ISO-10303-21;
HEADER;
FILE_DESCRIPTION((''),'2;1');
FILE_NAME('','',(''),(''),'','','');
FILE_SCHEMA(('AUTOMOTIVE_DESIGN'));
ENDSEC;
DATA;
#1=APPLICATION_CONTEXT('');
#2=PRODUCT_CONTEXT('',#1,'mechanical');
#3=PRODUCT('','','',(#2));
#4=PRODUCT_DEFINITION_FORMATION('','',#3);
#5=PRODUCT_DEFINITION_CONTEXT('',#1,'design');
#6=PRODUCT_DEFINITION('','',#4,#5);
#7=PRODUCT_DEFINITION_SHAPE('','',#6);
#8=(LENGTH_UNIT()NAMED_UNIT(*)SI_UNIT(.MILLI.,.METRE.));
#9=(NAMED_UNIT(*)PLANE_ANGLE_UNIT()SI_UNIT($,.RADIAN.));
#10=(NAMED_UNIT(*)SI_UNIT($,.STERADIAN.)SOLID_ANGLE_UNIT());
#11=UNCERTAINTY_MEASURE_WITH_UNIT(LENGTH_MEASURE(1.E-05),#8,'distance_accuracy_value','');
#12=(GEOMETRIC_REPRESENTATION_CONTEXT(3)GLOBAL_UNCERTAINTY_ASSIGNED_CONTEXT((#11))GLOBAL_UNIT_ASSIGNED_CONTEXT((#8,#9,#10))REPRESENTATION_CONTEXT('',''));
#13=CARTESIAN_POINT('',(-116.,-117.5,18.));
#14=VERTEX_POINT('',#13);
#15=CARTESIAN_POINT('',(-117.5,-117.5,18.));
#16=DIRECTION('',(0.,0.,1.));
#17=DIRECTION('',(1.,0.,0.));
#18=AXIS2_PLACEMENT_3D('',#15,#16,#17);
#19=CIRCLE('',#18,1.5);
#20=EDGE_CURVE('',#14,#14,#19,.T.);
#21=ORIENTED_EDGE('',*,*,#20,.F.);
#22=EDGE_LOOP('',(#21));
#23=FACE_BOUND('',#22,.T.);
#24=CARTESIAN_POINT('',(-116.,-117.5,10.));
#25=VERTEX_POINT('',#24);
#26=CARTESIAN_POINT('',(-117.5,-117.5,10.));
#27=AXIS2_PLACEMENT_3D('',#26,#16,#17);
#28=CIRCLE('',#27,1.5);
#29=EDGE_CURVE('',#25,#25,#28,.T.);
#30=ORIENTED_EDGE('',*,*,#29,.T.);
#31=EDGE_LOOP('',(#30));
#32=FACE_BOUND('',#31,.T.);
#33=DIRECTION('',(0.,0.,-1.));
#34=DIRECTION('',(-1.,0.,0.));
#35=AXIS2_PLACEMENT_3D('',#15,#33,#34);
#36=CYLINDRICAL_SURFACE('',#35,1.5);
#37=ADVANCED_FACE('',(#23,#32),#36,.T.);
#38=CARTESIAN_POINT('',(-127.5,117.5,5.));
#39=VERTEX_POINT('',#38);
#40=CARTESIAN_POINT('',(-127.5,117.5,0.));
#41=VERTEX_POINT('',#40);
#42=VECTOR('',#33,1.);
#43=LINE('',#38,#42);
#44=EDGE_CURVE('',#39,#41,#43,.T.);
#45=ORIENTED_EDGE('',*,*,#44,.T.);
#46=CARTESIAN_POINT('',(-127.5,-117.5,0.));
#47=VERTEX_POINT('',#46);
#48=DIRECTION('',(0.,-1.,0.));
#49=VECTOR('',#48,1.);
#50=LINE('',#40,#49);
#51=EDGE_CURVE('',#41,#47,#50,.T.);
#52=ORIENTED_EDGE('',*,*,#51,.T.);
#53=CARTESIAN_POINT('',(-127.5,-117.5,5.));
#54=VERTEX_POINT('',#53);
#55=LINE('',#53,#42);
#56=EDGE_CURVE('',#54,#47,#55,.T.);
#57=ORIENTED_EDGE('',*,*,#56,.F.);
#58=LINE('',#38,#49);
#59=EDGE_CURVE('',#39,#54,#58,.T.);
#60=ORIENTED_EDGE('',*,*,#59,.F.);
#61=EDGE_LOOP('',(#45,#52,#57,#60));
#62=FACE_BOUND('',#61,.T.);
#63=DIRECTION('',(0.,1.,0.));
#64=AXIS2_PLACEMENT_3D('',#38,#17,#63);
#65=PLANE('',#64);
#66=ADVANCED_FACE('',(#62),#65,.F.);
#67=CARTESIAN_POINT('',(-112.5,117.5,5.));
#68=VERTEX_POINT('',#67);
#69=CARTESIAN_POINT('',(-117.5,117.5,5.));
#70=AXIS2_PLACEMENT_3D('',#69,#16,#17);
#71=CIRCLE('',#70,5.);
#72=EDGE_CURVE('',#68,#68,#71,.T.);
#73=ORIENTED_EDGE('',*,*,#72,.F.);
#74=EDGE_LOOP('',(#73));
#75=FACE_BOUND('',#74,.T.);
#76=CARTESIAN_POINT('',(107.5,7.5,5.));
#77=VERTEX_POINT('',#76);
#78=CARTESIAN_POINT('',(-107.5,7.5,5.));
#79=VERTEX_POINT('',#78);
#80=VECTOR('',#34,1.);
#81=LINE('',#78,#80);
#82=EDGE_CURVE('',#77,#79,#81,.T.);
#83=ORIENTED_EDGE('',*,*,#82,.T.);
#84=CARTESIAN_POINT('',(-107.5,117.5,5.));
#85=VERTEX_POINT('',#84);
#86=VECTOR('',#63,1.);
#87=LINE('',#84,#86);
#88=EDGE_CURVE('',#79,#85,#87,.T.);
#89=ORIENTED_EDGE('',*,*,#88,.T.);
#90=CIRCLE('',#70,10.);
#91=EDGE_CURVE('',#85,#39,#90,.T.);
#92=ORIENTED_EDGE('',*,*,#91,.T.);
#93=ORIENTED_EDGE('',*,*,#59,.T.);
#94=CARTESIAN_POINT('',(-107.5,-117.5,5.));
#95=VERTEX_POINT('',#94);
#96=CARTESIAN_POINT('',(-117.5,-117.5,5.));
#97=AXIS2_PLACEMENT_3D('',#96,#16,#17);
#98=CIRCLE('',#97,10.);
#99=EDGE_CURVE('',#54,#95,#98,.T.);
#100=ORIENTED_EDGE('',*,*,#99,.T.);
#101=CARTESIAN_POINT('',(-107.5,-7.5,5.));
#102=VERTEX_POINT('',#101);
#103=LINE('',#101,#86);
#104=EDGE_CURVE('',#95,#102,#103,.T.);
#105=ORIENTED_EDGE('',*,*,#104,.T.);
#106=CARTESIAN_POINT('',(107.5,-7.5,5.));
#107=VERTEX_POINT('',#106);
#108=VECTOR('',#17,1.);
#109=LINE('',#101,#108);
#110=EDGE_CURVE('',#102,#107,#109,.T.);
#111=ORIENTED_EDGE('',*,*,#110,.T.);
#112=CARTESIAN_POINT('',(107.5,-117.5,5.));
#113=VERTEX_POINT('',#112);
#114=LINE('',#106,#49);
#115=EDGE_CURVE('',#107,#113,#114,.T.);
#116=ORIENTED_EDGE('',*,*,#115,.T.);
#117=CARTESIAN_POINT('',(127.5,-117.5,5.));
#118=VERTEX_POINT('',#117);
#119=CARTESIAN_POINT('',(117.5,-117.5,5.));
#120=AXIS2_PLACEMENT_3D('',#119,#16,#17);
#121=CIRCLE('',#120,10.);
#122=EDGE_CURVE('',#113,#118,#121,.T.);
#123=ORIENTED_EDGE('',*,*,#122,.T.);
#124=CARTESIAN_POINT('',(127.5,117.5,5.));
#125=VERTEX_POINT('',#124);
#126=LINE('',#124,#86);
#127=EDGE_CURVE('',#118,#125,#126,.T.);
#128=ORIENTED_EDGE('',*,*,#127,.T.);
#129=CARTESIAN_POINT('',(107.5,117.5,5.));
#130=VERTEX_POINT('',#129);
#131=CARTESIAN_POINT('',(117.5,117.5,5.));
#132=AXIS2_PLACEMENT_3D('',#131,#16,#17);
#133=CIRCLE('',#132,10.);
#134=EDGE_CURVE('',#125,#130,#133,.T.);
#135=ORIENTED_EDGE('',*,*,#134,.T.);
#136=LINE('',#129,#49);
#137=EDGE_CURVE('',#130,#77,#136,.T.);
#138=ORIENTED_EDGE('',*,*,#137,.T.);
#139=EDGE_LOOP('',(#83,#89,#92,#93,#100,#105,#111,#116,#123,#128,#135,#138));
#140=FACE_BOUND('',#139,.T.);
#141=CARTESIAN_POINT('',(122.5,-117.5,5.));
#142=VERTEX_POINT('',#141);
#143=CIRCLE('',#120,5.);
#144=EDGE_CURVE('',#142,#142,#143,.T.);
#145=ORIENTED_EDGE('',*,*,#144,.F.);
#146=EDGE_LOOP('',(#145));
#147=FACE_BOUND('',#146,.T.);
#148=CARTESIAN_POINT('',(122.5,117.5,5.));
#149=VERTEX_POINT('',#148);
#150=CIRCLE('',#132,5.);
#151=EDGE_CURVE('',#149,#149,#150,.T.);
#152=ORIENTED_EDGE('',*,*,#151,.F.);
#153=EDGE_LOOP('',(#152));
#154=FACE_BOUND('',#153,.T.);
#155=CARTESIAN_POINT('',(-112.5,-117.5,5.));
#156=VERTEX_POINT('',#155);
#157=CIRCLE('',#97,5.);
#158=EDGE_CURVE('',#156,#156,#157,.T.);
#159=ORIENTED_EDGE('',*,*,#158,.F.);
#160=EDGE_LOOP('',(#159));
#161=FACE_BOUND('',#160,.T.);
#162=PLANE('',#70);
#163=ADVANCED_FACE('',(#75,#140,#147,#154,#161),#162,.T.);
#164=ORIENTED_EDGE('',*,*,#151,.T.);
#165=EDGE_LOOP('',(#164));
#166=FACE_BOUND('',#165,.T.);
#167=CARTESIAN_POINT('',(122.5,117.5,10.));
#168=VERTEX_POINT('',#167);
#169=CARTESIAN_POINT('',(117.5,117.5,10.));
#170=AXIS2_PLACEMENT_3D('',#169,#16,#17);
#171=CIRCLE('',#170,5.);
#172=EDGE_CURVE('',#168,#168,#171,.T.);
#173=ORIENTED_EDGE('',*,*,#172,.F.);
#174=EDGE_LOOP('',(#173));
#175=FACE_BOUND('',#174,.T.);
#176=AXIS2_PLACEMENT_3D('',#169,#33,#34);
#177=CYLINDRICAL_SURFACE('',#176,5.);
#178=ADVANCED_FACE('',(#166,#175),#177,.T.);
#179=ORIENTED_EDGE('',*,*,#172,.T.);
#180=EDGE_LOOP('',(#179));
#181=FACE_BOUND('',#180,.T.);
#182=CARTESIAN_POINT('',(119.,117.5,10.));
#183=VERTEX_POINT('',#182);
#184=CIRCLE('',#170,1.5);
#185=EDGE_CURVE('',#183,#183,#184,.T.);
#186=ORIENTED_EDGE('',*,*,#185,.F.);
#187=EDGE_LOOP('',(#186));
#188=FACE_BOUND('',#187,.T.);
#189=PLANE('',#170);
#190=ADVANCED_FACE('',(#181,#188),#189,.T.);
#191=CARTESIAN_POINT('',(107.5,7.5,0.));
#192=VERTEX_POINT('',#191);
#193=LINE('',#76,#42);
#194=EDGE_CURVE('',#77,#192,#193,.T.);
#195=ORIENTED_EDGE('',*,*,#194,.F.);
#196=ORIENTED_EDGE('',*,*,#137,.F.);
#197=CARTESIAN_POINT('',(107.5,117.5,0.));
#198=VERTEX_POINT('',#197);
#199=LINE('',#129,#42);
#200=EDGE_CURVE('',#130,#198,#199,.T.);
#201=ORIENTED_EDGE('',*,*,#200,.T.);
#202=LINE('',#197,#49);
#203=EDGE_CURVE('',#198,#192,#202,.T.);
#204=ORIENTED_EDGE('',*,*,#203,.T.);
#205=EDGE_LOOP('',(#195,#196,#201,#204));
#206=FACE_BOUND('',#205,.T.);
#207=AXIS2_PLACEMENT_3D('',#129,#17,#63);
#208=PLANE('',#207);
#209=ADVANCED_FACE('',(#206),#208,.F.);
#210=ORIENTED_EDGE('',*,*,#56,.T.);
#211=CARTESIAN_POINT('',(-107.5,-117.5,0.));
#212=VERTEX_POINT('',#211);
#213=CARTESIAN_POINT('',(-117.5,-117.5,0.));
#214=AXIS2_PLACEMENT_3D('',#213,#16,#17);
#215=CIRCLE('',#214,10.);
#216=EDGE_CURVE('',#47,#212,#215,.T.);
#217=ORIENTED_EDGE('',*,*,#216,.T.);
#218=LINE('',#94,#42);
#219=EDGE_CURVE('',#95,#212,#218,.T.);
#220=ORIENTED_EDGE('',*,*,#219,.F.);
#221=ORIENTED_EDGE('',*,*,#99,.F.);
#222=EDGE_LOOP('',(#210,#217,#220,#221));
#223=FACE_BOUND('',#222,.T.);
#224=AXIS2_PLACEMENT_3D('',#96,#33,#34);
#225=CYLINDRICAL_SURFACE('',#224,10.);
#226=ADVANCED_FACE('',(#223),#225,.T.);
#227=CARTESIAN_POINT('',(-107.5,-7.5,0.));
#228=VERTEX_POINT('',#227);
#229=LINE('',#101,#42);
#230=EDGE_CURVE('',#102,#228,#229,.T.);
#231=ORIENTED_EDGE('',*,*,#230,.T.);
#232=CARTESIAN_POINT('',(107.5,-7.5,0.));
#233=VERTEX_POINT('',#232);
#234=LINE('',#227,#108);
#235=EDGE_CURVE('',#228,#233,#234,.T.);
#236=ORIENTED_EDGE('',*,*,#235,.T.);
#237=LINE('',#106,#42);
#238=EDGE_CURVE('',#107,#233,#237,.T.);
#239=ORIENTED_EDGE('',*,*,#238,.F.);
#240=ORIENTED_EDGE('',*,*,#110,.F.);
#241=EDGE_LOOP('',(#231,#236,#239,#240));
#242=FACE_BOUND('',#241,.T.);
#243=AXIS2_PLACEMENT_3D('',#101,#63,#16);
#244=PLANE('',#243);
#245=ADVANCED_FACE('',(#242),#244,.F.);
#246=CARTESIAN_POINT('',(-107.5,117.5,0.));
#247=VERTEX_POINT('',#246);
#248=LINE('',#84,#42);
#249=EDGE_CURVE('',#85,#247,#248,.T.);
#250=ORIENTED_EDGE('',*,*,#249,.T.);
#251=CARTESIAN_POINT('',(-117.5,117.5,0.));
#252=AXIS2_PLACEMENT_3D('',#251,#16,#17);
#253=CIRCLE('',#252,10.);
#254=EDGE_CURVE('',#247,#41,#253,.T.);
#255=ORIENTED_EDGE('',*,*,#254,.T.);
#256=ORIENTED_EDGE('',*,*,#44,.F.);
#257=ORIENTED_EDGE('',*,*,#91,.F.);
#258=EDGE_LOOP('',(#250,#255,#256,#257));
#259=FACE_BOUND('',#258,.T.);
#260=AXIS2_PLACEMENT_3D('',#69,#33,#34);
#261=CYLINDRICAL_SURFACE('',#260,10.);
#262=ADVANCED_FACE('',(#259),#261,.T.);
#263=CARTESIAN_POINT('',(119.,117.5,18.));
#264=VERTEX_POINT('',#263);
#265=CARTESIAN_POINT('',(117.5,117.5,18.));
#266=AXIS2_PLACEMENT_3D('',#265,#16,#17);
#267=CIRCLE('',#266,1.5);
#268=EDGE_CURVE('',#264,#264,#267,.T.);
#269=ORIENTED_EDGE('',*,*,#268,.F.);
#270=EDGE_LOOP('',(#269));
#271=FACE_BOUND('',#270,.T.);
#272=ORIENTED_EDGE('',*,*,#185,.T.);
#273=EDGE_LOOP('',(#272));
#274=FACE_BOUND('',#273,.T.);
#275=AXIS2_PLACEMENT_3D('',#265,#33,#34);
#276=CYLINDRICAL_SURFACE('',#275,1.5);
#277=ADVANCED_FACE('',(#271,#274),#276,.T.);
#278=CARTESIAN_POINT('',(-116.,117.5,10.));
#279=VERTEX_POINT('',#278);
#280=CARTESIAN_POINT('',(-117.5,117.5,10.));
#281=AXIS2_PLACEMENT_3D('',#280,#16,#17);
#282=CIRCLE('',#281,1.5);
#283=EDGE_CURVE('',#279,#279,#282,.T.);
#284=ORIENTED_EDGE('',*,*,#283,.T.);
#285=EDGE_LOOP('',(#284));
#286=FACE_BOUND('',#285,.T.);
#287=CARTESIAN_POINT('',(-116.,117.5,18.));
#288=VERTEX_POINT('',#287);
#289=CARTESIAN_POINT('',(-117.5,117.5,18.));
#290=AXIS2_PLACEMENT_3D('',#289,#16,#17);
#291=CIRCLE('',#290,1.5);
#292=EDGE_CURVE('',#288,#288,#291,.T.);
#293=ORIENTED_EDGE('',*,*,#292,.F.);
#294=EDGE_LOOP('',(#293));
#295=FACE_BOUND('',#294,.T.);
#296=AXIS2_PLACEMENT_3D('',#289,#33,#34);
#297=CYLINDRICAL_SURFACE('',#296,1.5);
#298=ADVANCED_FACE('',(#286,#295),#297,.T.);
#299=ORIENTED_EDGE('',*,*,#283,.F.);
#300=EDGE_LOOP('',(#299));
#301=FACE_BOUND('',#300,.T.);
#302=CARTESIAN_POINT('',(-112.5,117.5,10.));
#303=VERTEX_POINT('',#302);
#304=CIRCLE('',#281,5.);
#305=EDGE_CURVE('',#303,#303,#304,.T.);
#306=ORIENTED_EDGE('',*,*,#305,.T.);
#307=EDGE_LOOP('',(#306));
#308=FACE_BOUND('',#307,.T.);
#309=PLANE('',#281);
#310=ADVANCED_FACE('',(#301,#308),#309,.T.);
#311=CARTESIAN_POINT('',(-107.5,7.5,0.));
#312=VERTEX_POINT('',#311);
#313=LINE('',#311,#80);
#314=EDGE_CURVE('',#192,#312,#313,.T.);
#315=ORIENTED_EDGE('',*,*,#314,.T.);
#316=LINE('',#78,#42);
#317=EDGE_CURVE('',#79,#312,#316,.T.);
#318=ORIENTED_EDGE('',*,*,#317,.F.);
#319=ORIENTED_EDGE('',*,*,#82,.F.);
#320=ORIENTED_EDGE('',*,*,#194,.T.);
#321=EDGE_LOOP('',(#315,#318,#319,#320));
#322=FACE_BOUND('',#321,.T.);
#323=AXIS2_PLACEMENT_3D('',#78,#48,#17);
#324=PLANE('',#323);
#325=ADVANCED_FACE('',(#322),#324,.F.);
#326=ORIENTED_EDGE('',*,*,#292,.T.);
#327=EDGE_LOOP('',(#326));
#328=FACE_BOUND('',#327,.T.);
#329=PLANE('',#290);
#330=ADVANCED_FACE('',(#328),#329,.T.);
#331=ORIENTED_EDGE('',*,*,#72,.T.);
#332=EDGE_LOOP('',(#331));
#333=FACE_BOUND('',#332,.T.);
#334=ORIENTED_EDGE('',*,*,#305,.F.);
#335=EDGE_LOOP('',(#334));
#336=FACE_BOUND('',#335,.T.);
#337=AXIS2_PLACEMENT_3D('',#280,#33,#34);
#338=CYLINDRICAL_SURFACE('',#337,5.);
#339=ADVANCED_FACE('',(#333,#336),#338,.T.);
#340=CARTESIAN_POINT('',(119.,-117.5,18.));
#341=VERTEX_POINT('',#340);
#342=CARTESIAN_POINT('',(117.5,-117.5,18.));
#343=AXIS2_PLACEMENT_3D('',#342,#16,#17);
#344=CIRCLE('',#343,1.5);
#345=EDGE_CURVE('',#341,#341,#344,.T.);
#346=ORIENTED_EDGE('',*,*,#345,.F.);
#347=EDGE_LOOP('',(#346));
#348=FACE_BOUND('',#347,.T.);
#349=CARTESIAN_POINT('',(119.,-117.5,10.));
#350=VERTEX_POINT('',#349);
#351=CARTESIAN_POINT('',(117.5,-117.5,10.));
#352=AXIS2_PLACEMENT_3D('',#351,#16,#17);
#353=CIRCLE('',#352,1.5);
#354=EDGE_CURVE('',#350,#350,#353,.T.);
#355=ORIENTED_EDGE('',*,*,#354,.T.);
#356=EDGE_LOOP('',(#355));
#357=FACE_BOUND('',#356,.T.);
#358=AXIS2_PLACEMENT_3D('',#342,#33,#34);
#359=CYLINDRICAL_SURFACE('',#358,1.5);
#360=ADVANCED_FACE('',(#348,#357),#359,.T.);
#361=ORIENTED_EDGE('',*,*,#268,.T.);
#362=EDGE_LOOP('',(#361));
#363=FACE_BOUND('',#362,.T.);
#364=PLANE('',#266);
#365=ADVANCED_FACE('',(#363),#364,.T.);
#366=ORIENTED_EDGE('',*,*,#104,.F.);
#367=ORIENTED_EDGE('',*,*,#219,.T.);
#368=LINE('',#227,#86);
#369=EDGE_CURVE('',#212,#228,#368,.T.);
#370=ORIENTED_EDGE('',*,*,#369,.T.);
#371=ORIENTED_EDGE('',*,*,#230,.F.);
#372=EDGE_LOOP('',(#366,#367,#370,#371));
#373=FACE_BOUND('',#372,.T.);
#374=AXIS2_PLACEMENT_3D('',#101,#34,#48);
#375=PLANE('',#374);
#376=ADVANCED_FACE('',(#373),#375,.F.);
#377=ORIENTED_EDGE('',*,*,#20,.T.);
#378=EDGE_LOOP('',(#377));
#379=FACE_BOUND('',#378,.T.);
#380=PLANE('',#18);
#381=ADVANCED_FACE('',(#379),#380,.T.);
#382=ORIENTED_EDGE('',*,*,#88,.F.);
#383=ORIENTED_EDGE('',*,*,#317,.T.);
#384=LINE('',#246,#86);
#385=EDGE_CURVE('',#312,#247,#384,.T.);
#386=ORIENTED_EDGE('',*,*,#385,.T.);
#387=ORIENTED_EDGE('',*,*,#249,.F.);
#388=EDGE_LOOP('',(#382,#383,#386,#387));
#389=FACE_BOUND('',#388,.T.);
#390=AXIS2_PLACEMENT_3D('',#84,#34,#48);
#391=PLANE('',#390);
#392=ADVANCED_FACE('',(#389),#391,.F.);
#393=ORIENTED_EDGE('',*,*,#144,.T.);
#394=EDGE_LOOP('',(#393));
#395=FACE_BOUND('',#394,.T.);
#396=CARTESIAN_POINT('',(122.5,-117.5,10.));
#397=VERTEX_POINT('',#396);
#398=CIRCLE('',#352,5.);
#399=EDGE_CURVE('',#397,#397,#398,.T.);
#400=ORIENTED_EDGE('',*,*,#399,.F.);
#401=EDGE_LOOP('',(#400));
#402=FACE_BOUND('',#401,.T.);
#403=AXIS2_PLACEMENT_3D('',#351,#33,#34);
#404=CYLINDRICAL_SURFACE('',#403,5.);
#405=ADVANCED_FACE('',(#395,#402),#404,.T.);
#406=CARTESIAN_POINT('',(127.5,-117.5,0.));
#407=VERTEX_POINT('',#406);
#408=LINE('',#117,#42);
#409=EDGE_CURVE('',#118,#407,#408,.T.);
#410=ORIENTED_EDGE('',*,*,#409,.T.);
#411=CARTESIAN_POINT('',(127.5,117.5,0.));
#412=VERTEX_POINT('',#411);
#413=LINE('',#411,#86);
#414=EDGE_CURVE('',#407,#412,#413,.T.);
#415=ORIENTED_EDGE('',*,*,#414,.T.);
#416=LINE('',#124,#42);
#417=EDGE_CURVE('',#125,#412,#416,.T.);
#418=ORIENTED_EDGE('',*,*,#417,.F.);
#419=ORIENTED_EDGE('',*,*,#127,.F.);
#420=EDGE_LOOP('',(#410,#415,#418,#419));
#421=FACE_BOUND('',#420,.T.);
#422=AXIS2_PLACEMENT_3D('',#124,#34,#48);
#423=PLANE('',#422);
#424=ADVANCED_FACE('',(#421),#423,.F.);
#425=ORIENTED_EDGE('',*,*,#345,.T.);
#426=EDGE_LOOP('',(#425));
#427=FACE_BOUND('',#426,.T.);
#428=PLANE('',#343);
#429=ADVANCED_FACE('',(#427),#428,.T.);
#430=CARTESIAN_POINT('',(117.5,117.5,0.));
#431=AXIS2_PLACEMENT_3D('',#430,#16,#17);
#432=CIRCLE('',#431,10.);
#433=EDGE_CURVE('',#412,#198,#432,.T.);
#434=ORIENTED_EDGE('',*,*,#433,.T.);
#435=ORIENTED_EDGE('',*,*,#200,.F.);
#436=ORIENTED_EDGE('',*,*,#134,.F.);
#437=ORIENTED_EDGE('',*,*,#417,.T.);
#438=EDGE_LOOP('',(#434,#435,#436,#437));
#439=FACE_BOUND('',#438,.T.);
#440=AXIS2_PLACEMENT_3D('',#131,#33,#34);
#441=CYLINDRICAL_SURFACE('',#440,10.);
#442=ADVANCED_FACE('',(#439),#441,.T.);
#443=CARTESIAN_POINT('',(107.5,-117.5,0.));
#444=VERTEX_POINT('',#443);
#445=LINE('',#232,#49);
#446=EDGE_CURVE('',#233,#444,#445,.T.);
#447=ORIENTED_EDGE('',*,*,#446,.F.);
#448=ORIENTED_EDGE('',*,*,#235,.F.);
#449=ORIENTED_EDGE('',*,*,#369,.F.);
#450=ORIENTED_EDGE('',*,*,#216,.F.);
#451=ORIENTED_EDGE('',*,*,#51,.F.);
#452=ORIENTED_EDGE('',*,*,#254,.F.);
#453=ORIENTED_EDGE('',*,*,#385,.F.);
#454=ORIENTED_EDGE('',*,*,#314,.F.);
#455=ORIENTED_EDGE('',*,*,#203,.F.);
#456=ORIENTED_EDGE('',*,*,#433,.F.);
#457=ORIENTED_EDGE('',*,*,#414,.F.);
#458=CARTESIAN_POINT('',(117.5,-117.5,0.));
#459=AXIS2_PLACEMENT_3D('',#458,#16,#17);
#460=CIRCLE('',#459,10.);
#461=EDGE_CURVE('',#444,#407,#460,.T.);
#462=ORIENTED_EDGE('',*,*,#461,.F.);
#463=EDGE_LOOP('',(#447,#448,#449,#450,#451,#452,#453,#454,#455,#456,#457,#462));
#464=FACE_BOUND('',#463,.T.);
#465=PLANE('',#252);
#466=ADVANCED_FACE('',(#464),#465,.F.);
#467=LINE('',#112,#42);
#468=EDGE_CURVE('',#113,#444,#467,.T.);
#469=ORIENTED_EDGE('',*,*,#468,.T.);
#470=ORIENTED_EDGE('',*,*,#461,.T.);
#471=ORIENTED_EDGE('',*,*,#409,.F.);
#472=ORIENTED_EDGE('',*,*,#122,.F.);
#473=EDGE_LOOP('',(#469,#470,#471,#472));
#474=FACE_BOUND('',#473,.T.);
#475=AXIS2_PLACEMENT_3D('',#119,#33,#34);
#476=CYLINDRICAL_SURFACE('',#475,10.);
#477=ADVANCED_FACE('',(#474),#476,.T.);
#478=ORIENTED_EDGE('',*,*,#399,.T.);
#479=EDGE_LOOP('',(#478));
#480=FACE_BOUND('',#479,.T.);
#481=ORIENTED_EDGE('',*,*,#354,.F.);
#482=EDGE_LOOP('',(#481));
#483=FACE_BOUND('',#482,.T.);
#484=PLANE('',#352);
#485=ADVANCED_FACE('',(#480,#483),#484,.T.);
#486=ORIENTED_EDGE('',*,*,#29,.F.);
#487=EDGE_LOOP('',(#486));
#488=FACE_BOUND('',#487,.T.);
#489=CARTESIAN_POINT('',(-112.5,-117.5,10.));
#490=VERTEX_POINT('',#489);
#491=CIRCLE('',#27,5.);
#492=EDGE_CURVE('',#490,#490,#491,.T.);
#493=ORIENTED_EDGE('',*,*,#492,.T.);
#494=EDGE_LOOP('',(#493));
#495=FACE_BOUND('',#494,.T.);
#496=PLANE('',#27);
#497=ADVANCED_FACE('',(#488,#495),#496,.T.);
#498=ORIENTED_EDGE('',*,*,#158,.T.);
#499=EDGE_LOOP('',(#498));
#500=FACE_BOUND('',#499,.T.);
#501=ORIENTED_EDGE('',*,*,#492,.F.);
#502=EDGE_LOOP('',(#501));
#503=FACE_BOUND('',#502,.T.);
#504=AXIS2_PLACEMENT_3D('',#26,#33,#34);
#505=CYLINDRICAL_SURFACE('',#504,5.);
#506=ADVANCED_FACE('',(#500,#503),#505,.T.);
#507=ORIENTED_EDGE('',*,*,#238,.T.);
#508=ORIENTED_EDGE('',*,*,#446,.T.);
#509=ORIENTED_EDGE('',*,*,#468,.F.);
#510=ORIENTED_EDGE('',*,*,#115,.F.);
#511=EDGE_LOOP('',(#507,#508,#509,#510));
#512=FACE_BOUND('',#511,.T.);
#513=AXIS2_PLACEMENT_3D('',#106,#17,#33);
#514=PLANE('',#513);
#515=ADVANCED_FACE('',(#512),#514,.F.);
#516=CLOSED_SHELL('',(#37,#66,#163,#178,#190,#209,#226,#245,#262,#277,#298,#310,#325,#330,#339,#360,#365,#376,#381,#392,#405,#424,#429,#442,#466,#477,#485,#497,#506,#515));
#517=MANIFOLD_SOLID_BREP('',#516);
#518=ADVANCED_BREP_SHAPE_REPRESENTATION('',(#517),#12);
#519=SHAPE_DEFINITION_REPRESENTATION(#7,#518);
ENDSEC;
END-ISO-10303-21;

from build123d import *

# Parameters (mm, degrees)
BOSS_EXTRUDE1_DEPTH = 5
SKETCH3_R           = 5
BOSS_EXTRUDE2_DEPTH = 5
SKETCH4_R           = 1.5
BOSS_EXTRUDE3_DEPTH = 8


with BuildPart() as part:
    # Sketch1 → Boss-Extrude1 (new body)
    with BuildSketch(Plane.XY):
        with BuildLine():
            Line((-107.5, 7.5), (107.5, 7.5))
            Line((107.5, 7.5), (107.5, 117.5))
            ThreePointArc((107.5, 117.5), (117.5, 127.5), (127.5, 117.5))
            Line((127.5, 117.5), (127.5, -117.5))
            ThreePointArc((127.5, -117.5), (117.5, -127.5), (107.5, -117.5))
            Line((107.5, -117.5), (107.5, -7.5))
            Line((107.5, -7.5), (-107.5, -7.5))
            Line((-107.5, -7.5), (-107.5, -117.5))
            ThreePointArc((-107.5, -117.5), (-117.5, -127.5), (-127.5, -117.5))
            Line((-127.5, -117.5), (-127.5, 117.5))
            ThreePointArc((-127.5, 117.5), (-117.5, 127.5), (-107.5, 117.5))
            Line((-107.5, 117.5), (-107.5, 7.5))
        make_face()
    extrude(amount=BOSS_EXTRUDE1_DEPTH)

    # Sketch3 → Boss-Extrude2 (add)
    with BuildSketch(Plane.XY.offset(5)):
        with Locations((117.5, -117.5)):
            Circle(SKETCH3_R)
        with Locations((117.5, 117.5)):
            Circle(SKETCH3_R)
        with Locations((-117.5, 117.5)):
            Circle(SKETCH3_R)
        with Locations((-117.5, -117.5)):
            Circle(SKETCH3_R)
    extrude(amount=BOSS_EXTRUDE2_DEPTH)

    # Sketch4 → Boss-Extrude3 (add)
    with BuildSketch(Plane.XY.offset(10)):
        with Locations((-117.5, 117.5)):
            Circle(SKETCH4_R)
        with Locations((-117.5, -117.5)):
            Circle(SKETCH4_R)
        with Locations((117.5, -117.5)):
            Circle(SKETCH4_R)
        with Locations((117.5, 117.5)):
            Circle(SKETCH4_R)
    extrude(amount=BOSS_EXTRUDE3_DEPTH)


solid = part.part
